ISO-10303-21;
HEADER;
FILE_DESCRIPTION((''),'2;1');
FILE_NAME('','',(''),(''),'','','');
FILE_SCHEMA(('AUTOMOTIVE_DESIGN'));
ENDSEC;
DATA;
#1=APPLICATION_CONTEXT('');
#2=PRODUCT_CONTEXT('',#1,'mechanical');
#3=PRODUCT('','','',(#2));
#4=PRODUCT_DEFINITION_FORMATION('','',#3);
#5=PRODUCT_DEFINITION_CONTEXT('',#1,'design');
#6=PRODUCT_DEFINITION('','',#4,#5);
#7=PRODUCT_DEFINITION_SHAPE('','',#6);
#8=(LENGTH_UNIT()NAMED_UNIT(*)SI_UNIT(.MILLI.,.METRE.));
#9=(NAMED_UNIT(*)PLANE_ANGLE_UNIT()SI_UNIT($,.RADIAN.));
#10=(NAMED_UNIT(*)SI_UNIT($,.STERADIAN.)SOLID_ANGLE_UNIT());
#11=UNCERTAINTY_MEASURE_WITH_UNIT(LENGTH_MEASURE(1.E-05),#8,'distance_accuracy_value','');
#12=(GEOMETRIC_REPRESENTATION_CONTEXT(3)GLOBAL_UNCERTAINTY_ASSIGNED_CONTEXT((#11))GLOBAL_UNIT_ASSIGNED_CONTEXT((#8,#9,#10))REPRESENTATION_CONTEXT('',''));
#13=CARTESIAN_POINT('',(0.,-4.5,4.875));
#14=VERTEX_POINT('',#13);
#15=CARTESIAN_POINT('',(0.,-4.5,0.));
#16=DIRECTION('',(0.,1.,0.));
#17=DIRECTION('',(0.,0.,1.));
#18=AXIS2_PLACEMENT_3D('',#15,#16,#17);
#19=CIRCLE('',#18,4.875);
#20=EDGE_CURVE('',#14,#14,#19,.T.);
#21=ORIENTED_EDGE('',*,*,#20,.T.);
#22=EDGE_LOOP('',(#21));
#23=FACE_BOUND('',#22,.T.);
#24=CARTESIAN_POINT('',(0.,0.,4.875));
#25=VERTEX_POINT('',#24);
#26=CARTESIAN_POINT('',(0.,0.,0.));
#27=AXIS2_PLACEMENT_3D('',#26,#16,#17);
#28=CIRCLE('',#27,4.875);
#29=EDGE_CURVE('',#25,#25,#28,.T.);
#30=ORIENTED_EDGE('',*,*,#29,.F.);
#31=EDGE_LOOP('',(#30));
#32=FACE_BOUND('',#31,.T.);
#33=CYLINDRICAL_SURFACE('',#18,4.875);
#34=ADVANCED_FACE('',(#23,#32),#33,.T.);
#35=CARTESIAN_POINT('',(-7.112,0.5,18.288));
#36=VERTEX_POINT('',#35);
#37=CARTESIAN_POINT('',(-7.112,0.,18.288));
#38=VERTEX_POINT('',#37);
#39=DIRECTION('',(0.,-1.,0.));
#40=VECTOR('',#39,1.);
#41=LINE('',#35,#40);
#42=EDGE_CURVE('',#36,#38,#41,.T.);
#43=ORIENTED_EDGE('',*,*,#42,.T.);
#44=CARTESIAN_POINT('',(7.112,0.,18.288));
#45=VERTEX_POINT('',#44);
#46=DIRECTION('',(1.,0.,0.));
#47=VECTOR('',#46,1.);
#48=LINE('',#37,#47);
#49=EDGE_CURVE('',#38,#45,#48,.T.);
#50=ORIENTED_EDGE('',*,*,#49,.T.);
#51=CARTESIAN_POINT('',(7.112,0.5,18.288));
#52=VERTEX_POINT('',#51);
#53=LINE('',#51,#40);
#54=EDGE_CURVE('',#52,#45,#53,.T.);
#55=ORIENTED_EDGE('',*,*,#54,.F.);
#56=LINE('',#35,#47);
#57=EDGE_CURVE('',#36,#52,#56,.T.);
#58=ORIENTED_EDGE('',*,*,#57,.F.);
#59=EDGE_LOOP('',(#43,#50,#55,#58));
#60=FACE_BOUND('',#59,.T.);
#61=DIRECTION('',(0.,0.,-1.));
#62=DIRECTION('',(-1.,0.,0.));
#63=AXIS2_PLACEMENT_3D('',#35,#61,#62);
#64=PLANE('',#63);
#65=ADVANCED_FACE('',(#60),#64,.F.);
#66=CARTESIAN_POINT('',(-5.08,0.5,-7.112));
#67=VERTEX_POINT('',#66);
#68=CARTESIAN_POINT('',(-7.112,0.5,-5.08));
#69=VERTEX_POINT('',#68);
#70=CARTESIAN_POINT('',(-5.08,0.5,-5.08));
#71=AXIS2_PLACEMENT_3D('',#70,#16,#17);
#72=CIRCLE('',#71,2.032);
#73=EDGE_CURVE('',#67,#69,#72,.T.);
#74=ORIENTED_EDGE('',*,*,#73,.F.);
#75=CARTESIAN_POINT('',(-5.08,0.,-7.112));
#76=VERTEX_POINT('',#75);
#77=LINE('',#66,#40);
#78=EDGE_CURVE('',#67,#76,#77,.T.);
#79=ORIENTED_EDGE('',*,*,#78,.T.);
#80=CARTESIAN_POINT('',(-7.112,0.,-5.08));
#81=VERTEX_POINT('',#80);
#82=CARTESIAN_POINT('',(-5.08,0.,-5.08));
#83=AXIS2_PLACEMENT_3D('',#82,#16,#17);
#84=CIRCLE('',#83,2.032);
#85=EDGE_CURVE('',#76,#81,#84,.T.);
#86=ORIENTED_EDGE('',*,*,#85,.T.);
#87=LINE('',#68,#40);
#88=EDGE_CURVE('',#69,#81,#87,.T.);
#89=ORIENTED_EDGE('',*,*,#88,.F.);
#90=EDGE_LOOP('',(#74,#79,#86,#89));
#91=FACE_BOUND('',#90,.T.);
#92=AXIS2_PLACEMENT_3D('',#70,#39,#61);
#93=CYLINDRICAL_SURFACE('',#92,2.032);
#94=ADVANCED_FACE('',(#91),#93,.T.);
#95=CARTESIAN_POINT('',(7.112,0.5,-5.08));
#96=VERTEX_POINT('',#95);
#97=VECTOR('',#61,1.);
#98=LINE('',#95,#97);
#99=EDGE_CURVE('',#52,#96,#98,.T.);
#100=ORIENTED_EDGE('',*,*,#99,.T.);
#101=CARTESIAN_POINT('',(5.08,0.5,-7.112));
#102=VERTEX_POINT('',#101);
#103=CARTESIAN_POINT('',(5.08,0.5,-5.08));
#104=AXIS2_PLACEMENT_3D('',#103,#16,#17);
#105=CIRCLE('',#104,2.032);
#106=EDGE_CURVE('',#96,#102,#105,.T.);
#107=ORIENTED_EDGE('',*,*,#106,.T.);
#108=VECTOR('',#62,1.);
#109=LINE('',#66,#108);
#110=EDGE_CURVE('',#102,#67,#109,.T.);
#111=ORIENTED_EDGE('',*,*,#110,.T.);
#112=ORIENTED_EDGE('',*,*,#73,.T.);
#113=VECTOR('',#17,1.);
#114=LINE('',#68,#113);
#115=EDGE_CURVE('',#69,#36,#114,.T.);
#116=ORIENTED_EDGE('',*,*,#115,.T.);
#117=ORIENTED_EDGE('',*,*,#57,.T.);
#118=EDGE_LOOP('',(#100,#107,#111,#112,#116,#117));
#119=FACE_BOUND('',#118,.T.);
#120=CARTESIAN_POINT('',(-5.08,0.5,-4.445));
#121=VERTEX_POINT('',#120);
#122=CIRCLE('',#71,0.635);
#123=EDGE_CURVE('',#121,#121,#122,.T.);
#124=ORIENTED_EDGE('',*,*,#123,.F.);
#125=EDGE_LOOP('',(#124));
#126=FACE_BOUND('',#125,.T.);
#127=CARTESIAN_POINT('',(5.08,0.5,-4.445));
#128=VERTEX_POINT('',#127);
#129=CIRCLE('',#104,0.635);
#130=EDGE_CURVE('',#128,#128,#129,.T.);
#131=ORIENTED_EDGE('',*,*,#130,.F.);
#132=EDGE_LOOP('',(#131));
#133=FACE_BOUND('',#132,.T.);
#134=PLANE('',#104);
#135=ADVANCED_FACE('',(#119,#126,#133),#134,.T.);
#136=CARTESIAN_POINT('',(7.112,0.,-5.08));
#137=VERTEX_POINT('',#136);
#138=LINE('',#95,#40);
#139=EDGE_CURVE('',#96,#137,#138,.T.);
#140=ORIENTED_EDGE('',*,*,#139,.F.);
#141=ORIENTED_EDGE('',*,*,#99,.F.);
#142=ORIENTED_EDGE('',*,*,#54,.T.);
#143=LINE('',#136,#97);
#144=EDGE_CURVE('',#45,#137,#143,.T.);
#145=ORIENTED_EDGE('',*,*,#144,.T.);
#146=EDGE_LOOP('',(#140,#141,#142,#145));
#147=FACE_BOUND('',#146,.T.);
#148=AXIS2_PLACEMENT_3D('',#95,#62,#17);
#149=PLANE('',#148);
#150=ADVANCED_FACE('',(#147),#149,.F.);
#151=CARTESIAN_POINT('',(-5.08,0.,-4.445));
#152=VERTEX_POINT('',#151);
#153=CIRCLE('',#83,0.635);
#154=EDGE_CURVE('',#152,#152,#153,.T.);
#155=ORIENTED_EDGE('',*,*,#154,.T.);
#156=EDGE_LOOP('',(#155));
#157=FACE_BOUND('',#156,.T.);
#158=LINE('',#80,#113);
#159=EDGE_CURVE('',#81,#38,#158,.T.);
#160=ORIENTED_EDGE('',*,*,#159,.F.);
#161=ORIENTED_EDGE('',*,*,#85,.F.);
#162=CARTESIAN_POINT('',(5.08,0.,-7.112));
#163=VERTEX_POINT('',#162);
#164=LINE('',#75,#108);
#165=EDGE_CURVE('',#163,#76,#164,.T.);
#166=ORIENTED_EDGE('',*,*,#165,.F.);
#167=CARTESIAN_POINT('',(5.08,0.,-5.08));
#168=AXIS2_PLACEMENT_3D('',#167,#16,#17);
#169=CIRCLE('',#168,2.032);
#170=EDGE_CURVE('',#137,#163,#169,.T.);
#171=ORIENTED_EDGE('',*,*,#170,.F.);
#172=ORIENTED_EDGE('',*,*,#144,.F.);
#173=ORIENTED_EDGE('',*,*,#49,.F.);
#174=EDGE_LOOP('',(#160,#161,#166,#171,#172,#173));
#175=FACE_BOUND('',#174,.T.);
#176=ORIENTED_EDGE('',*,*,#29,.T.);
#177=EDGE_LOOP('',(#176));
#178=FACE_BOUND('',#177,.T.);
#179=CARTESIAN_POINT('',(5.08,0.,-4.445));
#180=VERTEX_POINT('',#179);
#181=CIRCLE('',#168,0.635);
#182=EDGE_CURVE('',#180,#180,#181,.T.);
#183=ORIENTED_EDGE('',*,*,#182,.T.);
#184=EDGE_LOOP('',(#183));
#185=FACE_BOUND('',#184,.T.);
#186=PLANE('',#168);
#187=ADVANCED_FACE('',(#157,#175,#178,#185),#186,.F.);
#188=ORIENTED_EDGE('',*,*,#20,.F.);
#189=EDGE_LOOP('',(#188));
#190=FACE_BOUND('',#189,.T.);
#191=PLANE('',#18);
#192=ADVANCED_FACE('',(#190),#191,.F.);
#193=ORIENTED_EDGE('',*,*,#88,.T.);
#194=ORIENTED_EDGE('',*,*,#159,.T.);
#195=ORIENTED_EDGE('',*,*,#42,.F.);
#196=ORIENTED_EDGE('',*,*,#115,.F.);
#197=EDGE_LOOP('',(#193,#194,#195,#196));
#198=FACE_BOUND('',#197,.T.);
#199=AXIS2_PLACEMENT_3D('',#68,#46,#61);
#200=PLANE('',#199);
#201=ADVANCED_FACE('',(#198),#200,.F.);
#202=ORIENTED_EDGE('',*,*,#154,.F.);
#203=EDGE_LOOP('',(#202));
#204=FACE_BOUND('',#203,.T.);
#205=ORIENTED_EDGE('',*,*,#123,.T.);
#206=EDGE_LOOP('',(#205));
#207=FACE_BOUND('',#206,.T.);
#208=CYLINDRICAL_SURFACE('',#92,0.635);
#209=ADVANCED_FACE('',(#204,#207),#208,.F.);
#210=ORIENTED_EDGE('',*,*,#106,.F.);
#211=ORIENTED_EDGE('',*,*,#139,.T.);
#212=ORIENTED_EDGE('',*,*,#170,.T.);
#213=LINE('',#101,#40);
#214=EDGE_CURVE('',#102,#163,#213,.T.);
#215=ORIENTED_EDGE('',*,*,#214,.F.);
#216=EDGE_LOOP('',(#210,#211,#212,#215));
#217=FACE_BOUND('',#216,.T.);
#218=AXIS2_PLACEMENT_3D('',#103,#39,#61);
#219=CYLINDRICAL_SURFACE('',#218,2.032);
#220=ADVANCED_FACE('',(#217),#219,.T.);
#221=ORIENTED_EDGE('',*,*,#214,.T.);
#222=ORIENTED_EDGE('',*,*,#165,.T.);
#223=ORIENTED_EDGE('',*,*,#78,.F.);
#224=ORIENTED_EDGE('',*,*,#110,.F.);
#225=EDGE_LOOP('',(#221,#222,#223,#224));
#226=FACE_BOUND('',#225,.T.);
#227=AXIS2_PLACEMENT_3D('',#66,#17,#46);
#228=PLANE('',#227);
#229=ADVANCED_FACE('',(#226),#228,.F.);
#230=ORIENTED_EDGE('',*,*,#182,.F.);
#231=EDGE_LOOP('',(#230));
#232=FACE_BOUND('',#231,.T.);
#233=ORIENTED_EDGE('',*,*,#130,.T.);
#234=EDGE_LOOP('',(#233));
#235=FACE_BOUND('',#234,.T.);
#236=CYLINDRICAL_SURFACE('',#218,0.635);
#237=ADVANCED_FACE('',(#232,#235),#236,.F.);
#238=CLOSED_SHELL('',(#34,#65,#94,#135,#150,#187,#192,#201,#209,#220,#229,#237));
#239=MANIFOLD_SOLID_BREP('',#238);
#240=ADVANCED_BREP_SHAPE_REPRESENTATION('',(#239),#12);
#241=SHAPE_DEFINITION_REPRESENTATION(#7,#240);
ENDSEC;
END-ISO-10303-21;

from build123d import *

# Parameters (mm, degrees)
SKETCH1_R           = 0.635
BOSS_EXTRUDE1_DEPTH = 0.5
SKETCH2_R           = 4.875
BOSS_EXTRUDE2_DEPTH = 4.5


with BuildPart() as part:
    # Sketch1 → Boss-Extrude1 (new body)
    with BuildSketch(Plane(origin=(0, 0, 0), x_dir=(1, 0, 0), z_dir=(0, 1, 0))):
        with BuildLine():
            Line((-5.08, 7.112), (5.08, 7.112))
            ThreePointArc((5.08, 7.112), (6.516840979, 6.516840979), (7.112, 5.08))
            Line((7.112, 5.08), (7.112, -18.288))
            Line((7.112, -18.288), (-7.112, -18.288))
            Line((-7.112, -18.288), (-7.112, 5.08))
            ThreePointArc((-7.112, 5.08), (-6.516840979, 6.516840979), (-5.08, 7.112))
        make_face()
        with Locations(Location((5.08, 5.08, 0), (0, 0, 270))):
            Circle(SKETCH1_R, mode=Mode.SUBTRACT)
        with Locations(Location((-5.08, 5.08, 0), (0, 0, 270))):
            Circle(SKETCH1_R, mode=Mode.SUBTRACT)
    extrude(amount=BOSS_EXTRUDE1_DEPTH)

    # Sketch2 → Boss-Extrude2 (add)
    with BuildSketch(Plane(origin=(0, 0, 0), x_dir=(1, 0, 0), z_dir=(0, 1, 0))):
        with Locations(Location((0, 0, 0), (0, 0, 270))):
            Circle(SKETCH2_R)
    extrude(amount=-BOSS_EXTRUDE2_DEPTH)


solid = part.part
